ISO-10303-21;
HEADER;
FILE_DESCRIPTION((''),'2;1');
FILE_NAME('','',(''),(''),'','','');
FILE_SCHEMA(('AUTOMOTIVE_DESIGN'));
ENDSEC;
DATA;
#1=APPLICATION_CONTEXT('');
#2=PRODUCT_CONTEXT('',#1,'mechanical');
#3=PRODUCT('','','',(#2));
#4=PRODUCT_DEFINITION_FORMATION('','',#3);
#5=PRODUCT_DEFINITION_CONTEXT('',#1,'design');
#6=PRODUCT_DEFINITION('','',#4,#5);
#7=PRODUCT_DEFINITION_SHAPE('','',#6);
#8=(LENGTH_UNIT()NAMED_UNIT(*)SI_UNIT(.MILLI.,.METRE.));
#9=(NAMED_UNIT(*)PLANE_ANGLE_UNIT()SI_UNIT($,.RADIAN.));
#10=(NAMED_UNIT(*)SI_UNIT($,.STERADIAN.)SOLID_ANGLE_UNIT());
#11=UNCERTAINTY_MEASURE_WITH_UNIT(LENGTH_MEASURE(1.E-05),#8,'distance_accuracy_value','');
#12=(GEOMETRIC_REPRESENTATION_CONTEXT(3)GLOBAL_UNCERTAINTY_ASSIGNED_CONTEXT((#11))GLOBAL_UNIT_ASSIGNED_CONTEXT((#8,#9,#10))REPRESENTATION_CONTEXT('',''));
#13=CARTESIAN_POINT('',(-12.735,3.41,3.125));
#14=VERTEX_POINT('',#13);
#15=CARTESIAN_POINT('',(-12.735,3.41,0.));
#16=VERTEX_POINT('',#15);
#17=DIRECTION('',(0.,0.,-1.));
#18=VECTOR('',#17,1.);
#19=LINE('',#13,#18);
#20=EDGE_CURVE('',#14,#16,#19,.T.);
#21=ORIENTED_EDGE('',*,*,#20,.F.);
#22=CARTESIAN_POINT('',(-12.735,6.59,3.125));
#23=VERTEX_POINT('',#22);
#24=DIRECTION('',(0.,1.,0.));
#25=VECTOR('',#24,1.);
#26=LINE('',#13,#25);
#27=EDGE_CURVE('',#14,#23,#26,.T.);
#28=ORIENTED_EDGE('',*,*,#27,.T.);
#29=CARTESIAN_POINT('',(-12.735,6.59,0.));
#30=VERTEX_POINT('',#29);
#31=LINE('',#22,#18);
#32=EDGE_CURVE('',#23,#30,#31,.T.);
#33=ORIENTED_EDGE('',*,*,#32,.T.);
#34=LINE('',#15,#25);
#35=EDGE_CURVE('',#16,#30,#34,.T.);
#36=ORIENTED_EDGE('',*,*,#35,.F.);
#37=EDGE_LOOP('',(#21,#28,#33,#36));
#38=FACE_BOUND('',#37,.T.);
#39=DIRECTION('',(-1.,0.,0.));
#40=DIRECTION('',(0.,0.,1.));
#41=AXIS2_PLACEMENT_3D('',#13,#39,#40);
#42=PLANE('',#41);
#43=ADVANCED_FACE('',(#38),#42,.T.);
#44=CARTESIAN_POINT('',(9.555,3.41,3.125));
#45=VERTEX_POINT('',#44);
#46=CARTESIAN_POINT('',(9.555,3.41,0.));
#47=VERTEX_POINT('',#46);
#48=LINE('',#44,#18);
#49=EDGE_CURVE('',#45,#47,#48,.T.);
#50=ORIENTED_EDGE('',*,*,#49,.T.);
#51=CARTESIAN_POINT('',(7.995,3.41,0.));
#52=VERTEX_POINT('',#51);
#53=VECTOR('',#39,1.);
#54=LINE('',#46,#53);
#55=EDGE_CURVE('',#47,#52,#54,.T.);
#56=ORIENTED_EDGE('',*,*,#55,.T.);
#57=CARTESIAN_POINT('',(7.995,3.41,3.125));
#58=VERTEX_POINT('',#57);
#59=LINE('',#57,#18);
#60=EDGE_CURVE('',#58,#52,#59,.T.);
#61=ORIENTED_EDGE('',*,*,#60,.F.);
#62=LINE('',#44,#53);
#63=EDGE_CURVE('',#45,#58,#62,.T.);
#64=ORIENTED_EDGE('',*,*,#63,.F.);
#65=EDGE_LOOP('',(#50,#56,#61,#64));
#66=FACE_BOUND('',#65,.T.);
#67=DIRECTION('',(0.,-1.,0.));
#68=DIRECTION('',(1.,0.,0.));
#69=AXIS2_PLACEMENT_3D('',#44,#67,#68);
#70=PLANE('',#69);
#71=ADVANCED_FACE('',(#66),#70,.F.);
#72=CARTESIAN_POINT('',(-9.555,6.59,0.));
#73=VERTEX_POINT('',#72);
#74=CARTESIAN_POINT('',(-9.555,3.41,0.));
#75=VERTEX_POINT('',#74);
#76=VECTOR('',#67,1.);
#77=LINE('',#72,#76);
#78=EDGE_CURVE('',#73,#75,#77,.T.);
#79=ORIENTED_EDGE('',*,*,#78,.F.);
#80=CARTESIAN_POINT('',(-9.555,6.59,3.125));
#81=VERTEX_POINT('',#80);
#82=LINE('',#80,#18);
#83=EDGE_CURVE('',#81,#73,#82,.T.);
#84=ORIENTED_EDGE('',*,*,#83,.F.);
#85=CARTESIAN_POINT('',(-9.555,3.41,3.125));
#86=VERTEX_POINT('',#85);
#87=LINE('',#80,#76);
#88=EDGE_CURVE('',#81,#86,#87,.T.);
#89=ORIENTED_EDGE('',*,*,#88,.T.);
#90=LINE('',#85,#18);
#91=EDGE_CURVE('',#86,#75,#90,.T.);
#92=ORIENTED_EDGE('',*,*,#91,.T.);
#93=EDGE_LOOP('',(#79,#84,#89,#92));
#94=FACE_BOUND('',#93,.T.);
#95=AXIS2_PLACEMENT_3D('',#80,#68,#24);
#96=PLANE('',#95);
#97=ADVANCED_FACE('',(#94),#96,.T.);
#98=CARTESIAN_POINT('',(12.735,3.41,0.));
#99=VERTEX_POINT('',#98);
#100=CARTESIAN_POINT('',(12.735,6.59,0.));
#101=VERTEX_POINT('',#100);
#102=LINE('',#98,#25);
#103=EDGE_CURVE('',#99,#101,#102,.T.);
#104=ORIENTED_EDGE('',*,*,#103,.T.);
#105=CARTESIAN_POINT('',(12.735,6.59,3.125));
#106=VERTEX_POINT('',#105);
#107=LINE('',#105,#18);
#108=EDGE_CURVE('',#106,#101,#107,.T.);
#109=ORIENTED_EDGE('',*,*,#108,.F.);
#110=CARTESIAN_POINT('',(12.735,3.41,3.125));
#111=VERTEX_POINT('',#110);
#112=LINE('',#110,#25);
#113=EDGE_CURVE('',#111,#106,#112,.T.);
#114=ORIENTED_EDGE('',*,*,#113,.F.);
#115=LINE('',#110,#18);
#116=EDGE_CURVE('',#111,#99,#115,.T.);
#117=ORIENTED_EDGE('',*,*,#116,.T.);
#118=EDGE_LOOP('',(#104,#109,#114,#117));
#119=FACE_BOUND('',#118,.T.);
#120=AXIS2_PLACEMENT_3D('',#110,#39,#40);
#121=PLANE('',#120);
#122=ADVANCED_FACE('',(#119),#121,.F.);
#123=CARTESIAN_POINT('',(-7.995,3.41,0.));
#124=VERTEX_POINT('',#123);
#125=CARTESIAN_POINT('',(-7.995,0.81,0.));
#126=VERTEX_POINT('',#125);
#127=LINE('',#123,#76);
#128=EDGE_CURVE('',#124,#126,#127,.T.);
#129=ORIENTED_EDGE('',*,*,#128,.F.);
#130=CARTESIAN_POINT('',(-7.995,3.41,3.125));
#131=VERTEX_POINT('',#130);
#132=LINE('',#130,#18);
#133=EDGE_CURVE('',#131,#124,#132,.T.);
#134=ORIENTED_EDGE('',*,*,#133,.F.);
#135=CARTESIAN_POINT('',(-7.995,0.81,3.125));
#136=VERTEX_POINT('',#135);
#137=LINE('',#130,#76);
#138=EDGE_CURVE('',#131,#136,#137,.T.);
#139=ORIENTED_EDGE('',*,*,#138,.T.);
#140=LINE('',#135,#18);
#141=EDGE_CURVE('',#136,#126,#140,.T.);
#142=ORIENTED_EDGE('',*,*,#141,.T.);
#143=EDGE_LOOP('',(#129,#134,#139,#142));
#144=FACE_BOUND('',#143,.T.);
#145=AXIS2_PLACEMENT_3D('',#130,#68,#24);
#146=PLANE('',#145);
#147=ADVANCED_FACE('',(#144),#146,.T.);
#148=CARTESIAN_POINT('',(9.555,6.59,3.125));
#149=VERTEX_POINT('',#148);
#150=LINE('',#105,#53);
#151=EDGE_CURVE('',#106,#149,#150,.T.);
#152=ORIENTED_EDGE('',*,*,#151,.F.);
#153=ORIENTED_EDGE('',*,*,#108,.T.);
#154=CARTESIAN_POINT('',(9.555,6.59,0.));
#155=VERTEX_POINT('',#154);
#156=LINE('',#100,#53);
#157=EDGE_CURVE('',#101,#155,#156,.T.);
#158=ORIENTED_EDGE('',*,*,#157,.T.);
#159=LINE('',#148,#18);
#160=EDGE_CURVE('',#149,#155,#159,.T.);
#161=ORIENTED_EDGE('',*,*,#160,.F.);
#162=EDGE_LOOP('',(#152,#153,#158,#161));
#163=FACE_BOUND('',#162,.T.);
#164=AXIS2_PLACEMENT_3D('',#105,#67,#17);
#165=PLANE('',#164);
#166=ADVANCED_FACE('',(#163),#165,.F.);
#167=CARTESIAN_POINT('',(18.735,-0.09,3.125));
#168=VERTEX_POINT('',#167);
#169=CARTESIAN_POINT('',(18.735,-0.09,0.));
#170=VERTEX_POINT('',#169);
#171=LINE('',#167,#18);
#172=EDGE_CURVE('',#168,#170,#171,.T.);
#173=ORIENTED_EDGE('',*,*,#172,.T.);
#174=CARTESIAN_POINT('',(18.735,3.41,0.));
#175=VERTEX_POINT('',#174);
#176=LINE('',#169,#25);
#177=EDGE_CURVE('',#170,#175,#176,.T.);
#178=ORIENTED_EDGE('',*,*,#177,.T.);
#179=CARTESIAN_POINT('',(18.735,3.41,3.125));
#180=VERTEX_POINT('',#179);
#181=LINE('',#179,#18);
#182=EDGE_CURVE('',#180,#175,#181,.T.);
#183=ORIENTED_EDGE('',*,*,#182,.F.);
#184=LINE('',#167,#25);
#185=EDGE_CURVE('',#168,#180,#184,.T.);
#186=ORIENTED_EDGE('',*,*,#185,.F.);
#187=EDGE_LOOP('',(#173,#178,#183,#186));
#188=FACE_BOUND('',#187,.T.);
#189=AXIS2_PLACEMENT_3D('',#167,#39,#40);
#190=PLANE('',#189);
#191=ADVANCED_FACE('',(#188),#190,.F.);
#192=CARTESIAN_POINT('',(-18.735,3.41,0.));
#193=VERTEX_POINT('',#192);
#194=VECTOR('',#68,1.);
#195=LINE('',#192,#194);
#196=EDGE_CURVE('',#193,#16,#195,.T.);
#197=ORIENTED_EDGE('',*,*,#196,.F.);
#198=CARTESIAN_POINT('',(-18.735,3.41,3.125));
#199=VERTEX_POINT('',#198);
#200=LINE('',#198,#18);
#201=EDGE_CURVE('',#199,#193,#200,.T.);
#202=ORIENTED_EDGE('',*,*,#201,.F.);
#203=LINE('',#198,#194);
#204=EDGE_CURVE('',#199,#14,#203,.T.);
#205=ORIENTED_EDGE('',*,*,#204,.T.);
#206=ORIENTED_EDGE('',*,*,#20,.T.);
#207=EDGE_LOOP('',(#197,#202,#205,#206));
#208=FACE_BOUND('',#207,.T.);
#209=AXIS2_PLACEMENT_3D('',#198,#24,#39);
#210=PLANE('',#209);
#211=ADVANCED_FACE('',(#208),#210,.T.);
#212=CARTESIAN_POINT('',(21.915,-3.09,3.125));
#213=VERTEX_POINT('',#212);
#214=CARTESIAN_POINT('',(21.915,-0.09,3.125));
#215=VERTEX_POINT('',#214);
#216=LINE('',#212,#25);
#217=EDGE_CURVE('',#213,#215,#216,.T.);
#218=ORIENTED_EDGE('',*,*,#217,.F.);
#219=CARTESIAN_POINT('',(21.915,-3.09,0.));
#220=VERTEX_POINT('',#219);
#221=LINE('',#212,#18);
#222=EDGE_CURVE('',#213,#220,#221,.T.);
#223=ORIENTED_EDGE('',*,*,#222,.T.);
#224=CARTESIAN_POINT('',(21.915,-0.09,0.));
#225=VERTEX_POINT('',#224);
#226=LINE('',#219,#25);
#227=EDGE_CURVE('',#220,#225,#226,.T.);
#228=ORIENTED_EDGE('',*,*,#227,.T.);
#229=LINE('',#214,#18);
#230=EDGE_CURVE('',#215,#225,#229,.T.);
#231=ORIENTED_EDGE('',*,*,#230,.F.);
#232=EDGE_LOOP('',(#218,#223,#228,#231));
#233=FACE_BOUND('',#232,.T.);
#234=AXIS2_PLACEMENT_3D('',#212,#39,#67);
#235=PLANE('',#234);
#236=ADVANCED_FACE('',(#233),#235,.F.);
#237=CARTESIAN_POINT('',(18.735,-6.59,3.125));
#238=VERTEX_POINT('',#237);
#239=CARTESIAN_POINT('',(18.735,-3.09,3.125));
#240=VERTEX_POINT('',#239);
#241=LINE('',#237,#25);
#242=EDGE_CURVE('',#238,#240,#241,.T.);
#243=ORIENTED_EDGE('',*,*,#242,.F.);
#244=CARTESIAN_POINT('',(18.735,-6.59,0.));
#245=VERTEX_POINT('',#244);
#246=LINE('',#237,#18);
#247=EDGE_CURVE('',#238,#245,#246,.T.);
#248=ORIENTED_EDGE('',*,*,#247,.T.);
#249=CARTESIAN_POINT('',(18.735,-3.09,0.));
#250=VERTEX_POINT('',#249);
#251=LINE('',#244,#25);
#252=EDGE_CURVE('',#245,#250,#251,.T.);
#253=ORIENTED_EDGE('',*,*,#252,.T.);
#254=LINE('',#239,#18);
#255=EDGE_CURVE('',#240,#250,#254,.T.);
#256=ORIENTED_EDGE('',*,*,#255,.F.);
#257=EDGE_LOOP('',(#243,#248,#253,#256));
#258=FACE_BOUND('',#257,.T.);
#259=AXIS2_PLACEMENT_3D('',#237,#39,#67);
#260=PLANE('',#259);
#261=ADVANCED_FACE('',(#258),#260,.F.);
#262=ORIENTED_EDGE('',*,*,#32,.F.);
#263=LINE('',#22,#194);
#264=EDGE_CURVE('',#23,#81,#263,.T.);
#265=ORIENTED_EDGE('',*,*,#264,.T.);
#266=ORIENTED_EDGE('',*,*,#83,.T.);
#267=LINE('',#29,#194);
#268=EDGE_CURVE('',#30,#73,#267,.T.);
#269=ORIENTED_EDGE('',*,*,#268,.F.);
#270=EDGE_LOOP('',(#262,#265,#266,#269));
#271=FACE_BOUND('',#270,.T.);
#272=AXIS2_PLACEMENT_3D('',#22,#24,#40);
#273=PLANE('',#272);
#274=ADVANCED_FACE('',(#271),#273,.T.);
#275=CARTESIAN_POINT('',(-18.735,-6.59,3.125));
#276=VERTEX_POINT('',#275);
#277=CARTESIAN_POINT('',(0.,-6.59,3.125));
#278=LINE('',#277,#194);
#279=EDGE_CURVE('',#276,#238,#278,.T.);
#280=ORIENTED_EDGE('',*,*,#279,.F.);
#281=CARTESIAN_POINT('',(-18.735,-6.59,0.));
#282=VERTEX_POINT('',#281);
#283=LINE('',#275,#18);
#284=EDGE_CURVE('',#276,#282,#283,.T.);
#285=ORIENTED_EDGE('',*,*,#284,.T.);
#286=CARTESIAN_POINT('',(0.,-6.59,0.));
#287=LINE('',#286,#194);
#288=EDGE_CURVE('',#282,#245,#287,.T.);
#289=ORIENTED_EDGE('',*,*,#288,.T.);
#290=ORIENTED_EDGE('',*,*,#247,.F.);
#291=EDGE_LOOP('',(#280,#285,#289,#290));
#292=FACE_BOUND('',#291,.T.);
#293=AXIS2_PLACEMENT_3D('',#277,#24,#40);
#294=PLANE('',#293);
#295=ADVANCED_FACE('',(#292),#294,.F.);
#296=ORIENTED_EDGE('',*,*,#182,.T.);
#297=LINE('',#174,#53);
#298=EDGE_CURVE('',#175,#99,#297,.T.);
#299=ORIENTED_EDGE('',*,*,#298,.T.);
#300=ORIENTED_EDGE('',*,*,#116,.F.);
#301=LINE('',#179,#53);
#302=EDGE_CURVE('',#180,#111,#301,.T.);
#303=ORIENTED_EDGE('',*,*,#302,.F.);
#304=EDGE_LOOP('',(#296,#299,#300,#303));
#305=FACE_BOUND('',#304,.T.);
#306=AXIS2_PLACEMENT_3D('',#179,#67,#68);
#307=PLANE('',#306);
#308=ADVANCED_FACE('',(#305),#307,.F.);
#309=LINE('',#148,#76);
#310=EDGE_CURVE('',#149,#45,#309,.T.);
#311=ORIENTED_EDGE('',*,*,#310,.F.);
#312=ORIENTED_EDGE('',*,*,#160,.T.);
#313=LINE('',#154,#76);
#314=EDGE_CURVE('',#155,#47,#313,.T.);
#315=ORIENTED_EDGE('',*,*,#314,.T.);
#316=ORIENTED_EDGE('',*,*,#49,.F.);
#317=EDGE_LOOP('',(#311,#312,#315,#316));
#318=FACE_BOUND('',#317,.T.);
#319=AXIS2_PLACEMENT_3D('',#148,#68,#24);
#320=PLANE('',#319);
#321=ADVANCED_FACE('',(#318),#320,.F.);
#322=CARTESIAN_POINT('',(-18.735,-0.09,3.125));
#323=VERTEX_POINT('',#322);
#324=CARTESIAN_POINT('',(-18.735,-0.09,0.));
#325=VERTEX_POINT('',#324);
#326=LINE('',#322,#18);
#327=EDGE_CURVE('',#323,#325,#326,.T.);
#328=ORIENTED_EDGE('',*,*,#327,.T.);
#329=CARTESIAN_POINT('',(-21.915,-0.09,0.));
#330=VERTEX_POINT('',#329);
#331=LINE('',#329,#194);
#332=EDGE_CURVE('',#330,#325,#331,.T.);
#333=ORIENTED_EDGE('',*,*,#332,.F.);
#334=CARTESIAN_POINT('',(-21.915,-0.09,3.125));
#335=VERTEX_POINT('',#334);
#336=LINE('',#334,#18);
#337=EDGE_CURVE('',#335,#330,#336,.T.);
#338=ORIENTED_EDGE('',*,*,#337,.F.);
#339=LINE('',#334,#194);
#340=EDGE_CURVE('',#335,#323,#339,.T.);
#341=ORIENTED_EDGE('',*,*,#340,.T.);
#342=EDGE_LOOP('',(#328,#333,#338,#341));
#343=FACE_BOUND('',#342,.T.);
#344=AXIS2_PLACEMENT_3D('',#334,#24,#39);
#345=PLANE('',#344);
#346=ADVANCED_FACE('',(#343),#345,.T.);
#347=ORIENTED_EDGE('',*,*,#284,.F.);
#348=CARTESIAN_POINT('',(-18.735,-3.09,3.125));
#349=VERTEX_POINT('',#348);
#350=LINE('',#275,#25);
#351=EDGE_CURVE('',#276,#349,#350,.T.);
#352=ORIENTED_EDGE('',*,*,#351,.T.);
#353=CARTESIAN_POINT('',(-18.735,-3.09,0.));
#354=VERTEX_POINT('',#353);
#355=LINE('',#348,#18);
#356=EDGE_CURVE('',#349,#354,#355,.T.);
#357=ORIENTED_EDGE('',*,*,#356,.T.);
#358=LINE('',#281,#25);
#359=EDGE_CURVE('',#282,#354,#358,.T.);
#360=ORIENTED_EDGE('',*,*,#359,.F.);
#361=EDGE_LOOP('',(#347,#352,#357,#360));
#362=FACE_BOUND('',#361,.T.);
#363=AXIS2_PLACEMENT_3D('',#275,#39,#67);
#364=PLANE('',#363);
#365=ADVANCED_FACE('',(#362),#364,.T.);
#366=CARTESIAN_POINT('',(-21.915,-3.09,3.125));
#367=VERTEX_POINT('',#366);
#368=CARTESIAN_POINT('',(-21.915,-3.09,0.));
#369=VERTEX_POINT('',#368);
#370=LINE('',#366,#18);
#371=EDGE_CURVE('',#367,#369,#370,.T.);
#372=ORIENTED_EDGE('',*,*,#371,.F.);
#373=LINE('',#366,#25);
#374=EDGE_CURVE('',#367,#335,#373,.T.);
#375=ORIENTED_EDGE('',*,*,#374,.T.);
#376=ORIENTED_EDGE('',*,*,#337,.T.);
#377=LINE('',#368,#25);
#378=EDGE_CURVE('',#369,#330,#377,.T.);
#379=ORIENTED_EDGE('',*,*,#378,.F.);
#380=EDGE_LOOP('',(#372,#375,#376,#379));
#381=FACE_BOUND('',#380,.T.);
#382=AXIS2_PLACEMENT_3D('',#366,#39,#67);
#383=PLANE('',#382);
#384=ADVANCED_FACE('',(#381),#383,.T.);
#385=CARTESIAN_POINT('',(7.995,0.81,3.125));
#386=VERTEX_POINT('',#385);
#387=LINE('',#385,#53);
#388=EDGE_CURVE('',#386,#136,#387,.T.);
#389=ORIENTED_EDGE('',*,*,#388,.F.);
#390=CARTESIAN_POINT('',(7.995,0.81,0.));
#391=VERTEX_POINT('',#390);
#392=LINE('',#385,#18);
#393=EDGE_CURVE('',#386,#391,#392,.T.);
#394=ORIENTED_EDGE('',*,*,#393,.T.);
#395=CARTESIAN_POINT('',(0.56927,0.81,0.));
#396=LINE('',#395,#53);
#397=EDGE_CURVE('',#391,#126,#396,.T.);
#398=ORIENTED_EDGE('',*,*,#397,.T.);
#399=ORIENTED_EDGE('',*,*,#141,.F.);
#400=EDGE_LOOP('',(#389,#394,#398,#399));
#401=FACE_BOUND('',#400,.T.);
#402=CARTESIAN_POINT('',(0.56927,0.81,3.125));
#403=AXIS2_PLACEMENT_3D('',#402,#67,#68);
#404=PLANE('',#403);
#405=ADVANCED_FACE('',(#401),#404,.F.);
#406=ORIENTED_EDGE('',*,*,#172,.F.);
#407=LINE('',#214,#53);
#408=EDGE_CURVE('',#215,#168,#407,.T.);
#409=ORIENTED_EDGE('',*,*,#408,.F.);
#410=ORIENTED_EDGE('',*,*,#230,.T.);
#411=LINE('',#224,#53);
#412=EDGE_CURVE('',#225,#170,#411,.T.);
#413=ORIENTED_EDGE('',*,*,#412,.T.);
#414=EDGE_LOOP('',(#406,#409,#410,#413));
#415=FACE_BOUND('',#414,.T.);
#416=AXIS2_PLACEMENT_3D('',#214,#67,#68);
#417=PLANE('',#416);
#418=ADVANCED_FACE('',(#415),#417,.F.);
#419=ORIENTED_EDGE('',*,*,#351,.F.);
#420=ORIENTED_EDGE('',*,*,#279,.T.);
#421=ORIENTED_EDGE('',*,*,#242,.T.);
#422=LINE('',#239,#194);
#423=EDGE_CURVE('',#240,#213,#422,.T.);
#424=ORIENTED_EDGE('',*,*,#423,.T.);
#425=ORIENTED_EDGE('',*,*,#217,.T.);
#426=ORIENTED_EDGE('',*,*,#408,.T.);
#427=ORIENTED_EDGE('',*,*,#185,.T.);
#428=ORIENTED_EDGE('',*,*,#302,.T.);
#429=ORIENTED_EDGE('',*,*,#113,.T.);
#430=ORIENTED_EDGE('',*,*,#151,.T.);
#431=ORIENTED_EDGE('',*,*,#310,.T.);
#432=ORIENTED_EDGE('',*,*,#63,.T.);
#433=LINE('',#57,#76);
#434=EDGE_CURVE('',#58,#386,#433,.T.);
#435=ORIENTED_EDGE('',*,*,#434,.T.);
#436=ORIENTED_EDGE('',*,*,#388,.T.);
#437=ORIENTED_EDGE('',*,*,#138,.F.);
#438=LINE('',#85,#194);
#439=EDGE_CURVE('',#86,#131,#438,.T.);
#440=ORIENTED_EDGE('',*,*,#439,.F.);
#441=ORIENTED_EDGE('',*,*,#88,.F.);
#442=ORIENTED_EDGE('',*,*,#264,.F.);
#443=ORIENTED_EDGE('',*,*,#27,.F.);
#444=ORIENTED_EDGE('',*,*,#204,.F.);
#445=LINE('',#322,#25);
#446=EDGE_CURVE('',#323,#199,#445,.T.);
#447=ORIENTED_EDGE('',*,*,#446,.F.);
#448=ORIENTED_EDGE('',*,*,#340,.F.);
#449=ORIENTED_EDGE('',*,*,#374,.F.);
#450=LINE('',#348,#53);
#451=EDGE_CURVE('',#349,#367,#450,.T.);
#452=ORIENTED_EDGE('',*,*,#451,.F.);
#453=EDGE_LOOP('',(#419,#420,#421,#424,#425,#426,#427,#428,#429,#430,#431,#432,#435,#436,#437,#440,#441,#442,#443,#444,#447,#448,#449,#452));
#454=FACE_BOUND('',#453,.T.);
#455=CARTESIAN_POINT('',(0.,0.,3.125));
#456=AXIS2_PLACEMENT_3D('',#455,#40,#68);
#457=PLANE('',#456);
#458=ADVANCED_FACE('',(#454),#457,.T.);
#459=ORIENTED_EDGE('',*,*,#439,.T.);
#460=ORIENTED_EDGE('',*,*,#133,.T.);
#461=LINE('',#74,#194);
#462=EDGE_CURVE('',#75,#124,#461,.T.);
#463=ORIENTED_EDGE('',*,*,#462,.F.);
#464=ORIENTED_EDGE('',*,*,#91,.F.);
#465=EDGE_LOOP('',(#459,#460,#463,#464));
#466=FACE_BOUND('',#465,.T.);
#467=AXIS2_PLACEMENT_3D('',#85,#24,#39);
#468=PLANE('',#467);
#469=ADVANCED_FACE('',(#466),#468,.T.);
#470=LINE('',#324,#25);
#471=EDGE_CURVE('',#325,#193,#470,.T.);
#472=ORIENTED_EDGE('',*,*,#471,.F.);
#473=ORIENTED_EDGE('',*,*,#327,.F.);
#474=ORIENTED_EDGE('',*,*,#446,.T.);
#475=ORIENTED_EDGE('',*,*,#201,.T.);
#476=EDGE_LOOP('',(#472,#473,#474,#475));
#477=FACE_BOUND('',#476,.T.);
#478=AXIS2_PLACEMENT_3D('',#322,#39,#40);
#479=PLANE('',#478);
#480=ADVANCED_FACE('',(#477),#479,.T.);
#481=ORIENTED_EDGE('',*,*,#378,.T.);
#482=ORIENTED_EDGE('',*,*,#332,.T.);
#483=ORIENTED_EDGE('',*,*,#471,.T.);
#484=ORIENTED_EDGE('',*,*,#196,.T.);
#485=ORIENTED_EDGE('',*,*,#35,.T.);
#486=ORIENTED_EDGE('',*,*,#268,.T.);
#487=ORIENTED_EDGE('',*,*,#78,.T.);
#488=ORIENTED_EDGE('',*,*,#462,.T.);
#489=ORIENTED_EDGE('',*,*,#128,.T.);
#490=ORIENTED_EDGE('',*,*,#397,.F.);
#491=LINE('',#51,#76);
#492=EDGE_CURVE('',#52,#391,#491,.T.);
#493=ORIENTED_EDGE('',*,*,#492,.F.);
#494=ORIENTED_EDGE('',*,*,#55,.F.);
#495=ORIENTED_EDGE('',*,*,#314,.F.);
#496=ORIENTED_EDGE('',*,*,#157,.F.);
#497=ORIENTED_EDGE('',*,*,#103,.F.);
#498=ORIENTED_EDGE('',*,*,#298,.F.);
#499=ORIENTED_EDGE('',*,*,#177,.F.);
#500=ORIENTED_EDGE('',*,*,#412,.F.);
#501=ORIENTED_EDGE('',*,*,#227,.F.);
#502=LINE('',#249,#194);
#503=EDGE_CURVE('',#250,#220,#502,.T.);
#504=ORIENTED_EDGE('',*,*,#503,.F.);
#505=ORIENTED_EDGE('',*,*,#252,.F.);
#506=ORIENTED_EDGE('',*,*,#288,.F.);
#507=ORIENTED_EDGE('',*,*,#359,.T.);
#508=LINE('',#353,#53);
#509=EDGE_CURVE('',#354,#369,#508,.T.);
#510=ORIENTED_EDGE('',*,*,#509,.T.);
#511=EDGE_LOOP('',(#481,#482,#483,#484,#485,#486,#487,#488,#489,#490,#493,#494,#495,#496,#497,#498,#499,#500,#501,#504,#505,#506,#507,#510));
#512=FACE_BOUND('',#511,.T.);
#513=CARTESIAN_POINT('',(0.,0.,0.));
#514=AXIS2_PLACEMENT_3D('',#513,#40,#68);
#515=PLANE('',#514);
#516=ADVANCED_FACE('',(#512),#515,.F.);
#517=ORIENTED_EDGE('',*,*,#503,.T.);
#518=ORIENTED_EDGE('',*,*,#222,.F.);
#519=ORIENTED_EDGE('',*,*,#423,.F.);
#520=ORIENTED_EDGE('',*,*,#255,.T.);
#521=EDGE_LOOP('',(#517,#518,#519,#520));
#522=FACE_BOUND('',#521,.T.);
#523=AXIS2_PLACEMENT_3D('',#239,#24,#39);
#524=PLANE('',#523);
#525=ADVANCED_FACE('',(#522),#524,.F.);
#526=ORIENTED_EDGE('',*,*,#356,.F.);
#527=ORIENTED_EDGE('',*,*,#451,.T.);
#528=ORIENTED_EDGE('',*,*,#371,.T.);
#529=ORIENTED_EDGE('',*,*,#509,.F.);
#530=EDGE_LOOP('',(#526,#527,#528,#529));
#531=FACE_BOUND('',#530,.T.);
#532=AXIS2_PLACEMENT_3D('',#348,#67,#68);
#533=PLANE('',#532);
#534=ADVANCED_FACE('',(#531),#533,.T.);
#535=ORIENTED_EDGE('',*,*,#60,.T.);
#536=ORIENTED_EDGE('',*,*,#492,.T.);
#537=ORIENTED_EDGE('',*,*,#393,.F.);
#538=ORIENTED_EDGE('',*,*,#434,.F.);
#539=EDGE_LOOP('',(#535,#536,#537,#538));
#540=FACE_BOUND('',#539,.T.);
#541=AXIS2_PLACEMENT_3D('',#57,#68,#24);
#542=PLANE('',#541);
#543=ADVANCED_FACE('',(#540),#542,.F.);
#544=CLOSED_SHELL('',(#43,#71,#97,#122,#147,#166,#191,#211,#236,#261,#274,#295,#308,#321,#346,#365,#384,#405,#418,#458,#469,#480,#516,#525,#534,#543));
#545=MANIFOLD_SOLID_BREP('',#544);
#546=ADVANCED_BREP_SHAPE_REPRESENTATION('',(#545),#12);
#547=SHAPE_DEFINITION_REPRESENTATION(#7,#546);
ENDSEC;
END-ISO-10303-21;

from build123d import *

# Parameters (mm, degrees)
BOSS_EXTRUDE1_DEPTH = 3.125


with BuildPart() as part:
    # Sketch2 → Boss-Extrude1 (new body)
    with BuildSketch(Plane.XY):
        Polygon((0, -6.59), (18.735, -6.59), (18.735, -3.09), (21.915, -3.09), (21.915, -0.09), (18.735, -0.09), (18.735, 3.41), (12.735, 3.41), (12.735, 6.59), (9.555, 6.59), (9.555, 3.41), (7.995, 3.41), (7.995, 0.81), (0.569270121, 0.81), (0, 0.81), align=None)
    boss_extrude1 = extrude(amount=BOSS_EXTRUDE1_DEPTH)

    # Mirror1: Boss-Extrude1 across plane
    add(boss_extrude1.mirror(Plane(origin=(0, -6.59, 3.125), x_dir=(0, 0, 1), z_dir=(1, 0, 0))))


solid = part.part
